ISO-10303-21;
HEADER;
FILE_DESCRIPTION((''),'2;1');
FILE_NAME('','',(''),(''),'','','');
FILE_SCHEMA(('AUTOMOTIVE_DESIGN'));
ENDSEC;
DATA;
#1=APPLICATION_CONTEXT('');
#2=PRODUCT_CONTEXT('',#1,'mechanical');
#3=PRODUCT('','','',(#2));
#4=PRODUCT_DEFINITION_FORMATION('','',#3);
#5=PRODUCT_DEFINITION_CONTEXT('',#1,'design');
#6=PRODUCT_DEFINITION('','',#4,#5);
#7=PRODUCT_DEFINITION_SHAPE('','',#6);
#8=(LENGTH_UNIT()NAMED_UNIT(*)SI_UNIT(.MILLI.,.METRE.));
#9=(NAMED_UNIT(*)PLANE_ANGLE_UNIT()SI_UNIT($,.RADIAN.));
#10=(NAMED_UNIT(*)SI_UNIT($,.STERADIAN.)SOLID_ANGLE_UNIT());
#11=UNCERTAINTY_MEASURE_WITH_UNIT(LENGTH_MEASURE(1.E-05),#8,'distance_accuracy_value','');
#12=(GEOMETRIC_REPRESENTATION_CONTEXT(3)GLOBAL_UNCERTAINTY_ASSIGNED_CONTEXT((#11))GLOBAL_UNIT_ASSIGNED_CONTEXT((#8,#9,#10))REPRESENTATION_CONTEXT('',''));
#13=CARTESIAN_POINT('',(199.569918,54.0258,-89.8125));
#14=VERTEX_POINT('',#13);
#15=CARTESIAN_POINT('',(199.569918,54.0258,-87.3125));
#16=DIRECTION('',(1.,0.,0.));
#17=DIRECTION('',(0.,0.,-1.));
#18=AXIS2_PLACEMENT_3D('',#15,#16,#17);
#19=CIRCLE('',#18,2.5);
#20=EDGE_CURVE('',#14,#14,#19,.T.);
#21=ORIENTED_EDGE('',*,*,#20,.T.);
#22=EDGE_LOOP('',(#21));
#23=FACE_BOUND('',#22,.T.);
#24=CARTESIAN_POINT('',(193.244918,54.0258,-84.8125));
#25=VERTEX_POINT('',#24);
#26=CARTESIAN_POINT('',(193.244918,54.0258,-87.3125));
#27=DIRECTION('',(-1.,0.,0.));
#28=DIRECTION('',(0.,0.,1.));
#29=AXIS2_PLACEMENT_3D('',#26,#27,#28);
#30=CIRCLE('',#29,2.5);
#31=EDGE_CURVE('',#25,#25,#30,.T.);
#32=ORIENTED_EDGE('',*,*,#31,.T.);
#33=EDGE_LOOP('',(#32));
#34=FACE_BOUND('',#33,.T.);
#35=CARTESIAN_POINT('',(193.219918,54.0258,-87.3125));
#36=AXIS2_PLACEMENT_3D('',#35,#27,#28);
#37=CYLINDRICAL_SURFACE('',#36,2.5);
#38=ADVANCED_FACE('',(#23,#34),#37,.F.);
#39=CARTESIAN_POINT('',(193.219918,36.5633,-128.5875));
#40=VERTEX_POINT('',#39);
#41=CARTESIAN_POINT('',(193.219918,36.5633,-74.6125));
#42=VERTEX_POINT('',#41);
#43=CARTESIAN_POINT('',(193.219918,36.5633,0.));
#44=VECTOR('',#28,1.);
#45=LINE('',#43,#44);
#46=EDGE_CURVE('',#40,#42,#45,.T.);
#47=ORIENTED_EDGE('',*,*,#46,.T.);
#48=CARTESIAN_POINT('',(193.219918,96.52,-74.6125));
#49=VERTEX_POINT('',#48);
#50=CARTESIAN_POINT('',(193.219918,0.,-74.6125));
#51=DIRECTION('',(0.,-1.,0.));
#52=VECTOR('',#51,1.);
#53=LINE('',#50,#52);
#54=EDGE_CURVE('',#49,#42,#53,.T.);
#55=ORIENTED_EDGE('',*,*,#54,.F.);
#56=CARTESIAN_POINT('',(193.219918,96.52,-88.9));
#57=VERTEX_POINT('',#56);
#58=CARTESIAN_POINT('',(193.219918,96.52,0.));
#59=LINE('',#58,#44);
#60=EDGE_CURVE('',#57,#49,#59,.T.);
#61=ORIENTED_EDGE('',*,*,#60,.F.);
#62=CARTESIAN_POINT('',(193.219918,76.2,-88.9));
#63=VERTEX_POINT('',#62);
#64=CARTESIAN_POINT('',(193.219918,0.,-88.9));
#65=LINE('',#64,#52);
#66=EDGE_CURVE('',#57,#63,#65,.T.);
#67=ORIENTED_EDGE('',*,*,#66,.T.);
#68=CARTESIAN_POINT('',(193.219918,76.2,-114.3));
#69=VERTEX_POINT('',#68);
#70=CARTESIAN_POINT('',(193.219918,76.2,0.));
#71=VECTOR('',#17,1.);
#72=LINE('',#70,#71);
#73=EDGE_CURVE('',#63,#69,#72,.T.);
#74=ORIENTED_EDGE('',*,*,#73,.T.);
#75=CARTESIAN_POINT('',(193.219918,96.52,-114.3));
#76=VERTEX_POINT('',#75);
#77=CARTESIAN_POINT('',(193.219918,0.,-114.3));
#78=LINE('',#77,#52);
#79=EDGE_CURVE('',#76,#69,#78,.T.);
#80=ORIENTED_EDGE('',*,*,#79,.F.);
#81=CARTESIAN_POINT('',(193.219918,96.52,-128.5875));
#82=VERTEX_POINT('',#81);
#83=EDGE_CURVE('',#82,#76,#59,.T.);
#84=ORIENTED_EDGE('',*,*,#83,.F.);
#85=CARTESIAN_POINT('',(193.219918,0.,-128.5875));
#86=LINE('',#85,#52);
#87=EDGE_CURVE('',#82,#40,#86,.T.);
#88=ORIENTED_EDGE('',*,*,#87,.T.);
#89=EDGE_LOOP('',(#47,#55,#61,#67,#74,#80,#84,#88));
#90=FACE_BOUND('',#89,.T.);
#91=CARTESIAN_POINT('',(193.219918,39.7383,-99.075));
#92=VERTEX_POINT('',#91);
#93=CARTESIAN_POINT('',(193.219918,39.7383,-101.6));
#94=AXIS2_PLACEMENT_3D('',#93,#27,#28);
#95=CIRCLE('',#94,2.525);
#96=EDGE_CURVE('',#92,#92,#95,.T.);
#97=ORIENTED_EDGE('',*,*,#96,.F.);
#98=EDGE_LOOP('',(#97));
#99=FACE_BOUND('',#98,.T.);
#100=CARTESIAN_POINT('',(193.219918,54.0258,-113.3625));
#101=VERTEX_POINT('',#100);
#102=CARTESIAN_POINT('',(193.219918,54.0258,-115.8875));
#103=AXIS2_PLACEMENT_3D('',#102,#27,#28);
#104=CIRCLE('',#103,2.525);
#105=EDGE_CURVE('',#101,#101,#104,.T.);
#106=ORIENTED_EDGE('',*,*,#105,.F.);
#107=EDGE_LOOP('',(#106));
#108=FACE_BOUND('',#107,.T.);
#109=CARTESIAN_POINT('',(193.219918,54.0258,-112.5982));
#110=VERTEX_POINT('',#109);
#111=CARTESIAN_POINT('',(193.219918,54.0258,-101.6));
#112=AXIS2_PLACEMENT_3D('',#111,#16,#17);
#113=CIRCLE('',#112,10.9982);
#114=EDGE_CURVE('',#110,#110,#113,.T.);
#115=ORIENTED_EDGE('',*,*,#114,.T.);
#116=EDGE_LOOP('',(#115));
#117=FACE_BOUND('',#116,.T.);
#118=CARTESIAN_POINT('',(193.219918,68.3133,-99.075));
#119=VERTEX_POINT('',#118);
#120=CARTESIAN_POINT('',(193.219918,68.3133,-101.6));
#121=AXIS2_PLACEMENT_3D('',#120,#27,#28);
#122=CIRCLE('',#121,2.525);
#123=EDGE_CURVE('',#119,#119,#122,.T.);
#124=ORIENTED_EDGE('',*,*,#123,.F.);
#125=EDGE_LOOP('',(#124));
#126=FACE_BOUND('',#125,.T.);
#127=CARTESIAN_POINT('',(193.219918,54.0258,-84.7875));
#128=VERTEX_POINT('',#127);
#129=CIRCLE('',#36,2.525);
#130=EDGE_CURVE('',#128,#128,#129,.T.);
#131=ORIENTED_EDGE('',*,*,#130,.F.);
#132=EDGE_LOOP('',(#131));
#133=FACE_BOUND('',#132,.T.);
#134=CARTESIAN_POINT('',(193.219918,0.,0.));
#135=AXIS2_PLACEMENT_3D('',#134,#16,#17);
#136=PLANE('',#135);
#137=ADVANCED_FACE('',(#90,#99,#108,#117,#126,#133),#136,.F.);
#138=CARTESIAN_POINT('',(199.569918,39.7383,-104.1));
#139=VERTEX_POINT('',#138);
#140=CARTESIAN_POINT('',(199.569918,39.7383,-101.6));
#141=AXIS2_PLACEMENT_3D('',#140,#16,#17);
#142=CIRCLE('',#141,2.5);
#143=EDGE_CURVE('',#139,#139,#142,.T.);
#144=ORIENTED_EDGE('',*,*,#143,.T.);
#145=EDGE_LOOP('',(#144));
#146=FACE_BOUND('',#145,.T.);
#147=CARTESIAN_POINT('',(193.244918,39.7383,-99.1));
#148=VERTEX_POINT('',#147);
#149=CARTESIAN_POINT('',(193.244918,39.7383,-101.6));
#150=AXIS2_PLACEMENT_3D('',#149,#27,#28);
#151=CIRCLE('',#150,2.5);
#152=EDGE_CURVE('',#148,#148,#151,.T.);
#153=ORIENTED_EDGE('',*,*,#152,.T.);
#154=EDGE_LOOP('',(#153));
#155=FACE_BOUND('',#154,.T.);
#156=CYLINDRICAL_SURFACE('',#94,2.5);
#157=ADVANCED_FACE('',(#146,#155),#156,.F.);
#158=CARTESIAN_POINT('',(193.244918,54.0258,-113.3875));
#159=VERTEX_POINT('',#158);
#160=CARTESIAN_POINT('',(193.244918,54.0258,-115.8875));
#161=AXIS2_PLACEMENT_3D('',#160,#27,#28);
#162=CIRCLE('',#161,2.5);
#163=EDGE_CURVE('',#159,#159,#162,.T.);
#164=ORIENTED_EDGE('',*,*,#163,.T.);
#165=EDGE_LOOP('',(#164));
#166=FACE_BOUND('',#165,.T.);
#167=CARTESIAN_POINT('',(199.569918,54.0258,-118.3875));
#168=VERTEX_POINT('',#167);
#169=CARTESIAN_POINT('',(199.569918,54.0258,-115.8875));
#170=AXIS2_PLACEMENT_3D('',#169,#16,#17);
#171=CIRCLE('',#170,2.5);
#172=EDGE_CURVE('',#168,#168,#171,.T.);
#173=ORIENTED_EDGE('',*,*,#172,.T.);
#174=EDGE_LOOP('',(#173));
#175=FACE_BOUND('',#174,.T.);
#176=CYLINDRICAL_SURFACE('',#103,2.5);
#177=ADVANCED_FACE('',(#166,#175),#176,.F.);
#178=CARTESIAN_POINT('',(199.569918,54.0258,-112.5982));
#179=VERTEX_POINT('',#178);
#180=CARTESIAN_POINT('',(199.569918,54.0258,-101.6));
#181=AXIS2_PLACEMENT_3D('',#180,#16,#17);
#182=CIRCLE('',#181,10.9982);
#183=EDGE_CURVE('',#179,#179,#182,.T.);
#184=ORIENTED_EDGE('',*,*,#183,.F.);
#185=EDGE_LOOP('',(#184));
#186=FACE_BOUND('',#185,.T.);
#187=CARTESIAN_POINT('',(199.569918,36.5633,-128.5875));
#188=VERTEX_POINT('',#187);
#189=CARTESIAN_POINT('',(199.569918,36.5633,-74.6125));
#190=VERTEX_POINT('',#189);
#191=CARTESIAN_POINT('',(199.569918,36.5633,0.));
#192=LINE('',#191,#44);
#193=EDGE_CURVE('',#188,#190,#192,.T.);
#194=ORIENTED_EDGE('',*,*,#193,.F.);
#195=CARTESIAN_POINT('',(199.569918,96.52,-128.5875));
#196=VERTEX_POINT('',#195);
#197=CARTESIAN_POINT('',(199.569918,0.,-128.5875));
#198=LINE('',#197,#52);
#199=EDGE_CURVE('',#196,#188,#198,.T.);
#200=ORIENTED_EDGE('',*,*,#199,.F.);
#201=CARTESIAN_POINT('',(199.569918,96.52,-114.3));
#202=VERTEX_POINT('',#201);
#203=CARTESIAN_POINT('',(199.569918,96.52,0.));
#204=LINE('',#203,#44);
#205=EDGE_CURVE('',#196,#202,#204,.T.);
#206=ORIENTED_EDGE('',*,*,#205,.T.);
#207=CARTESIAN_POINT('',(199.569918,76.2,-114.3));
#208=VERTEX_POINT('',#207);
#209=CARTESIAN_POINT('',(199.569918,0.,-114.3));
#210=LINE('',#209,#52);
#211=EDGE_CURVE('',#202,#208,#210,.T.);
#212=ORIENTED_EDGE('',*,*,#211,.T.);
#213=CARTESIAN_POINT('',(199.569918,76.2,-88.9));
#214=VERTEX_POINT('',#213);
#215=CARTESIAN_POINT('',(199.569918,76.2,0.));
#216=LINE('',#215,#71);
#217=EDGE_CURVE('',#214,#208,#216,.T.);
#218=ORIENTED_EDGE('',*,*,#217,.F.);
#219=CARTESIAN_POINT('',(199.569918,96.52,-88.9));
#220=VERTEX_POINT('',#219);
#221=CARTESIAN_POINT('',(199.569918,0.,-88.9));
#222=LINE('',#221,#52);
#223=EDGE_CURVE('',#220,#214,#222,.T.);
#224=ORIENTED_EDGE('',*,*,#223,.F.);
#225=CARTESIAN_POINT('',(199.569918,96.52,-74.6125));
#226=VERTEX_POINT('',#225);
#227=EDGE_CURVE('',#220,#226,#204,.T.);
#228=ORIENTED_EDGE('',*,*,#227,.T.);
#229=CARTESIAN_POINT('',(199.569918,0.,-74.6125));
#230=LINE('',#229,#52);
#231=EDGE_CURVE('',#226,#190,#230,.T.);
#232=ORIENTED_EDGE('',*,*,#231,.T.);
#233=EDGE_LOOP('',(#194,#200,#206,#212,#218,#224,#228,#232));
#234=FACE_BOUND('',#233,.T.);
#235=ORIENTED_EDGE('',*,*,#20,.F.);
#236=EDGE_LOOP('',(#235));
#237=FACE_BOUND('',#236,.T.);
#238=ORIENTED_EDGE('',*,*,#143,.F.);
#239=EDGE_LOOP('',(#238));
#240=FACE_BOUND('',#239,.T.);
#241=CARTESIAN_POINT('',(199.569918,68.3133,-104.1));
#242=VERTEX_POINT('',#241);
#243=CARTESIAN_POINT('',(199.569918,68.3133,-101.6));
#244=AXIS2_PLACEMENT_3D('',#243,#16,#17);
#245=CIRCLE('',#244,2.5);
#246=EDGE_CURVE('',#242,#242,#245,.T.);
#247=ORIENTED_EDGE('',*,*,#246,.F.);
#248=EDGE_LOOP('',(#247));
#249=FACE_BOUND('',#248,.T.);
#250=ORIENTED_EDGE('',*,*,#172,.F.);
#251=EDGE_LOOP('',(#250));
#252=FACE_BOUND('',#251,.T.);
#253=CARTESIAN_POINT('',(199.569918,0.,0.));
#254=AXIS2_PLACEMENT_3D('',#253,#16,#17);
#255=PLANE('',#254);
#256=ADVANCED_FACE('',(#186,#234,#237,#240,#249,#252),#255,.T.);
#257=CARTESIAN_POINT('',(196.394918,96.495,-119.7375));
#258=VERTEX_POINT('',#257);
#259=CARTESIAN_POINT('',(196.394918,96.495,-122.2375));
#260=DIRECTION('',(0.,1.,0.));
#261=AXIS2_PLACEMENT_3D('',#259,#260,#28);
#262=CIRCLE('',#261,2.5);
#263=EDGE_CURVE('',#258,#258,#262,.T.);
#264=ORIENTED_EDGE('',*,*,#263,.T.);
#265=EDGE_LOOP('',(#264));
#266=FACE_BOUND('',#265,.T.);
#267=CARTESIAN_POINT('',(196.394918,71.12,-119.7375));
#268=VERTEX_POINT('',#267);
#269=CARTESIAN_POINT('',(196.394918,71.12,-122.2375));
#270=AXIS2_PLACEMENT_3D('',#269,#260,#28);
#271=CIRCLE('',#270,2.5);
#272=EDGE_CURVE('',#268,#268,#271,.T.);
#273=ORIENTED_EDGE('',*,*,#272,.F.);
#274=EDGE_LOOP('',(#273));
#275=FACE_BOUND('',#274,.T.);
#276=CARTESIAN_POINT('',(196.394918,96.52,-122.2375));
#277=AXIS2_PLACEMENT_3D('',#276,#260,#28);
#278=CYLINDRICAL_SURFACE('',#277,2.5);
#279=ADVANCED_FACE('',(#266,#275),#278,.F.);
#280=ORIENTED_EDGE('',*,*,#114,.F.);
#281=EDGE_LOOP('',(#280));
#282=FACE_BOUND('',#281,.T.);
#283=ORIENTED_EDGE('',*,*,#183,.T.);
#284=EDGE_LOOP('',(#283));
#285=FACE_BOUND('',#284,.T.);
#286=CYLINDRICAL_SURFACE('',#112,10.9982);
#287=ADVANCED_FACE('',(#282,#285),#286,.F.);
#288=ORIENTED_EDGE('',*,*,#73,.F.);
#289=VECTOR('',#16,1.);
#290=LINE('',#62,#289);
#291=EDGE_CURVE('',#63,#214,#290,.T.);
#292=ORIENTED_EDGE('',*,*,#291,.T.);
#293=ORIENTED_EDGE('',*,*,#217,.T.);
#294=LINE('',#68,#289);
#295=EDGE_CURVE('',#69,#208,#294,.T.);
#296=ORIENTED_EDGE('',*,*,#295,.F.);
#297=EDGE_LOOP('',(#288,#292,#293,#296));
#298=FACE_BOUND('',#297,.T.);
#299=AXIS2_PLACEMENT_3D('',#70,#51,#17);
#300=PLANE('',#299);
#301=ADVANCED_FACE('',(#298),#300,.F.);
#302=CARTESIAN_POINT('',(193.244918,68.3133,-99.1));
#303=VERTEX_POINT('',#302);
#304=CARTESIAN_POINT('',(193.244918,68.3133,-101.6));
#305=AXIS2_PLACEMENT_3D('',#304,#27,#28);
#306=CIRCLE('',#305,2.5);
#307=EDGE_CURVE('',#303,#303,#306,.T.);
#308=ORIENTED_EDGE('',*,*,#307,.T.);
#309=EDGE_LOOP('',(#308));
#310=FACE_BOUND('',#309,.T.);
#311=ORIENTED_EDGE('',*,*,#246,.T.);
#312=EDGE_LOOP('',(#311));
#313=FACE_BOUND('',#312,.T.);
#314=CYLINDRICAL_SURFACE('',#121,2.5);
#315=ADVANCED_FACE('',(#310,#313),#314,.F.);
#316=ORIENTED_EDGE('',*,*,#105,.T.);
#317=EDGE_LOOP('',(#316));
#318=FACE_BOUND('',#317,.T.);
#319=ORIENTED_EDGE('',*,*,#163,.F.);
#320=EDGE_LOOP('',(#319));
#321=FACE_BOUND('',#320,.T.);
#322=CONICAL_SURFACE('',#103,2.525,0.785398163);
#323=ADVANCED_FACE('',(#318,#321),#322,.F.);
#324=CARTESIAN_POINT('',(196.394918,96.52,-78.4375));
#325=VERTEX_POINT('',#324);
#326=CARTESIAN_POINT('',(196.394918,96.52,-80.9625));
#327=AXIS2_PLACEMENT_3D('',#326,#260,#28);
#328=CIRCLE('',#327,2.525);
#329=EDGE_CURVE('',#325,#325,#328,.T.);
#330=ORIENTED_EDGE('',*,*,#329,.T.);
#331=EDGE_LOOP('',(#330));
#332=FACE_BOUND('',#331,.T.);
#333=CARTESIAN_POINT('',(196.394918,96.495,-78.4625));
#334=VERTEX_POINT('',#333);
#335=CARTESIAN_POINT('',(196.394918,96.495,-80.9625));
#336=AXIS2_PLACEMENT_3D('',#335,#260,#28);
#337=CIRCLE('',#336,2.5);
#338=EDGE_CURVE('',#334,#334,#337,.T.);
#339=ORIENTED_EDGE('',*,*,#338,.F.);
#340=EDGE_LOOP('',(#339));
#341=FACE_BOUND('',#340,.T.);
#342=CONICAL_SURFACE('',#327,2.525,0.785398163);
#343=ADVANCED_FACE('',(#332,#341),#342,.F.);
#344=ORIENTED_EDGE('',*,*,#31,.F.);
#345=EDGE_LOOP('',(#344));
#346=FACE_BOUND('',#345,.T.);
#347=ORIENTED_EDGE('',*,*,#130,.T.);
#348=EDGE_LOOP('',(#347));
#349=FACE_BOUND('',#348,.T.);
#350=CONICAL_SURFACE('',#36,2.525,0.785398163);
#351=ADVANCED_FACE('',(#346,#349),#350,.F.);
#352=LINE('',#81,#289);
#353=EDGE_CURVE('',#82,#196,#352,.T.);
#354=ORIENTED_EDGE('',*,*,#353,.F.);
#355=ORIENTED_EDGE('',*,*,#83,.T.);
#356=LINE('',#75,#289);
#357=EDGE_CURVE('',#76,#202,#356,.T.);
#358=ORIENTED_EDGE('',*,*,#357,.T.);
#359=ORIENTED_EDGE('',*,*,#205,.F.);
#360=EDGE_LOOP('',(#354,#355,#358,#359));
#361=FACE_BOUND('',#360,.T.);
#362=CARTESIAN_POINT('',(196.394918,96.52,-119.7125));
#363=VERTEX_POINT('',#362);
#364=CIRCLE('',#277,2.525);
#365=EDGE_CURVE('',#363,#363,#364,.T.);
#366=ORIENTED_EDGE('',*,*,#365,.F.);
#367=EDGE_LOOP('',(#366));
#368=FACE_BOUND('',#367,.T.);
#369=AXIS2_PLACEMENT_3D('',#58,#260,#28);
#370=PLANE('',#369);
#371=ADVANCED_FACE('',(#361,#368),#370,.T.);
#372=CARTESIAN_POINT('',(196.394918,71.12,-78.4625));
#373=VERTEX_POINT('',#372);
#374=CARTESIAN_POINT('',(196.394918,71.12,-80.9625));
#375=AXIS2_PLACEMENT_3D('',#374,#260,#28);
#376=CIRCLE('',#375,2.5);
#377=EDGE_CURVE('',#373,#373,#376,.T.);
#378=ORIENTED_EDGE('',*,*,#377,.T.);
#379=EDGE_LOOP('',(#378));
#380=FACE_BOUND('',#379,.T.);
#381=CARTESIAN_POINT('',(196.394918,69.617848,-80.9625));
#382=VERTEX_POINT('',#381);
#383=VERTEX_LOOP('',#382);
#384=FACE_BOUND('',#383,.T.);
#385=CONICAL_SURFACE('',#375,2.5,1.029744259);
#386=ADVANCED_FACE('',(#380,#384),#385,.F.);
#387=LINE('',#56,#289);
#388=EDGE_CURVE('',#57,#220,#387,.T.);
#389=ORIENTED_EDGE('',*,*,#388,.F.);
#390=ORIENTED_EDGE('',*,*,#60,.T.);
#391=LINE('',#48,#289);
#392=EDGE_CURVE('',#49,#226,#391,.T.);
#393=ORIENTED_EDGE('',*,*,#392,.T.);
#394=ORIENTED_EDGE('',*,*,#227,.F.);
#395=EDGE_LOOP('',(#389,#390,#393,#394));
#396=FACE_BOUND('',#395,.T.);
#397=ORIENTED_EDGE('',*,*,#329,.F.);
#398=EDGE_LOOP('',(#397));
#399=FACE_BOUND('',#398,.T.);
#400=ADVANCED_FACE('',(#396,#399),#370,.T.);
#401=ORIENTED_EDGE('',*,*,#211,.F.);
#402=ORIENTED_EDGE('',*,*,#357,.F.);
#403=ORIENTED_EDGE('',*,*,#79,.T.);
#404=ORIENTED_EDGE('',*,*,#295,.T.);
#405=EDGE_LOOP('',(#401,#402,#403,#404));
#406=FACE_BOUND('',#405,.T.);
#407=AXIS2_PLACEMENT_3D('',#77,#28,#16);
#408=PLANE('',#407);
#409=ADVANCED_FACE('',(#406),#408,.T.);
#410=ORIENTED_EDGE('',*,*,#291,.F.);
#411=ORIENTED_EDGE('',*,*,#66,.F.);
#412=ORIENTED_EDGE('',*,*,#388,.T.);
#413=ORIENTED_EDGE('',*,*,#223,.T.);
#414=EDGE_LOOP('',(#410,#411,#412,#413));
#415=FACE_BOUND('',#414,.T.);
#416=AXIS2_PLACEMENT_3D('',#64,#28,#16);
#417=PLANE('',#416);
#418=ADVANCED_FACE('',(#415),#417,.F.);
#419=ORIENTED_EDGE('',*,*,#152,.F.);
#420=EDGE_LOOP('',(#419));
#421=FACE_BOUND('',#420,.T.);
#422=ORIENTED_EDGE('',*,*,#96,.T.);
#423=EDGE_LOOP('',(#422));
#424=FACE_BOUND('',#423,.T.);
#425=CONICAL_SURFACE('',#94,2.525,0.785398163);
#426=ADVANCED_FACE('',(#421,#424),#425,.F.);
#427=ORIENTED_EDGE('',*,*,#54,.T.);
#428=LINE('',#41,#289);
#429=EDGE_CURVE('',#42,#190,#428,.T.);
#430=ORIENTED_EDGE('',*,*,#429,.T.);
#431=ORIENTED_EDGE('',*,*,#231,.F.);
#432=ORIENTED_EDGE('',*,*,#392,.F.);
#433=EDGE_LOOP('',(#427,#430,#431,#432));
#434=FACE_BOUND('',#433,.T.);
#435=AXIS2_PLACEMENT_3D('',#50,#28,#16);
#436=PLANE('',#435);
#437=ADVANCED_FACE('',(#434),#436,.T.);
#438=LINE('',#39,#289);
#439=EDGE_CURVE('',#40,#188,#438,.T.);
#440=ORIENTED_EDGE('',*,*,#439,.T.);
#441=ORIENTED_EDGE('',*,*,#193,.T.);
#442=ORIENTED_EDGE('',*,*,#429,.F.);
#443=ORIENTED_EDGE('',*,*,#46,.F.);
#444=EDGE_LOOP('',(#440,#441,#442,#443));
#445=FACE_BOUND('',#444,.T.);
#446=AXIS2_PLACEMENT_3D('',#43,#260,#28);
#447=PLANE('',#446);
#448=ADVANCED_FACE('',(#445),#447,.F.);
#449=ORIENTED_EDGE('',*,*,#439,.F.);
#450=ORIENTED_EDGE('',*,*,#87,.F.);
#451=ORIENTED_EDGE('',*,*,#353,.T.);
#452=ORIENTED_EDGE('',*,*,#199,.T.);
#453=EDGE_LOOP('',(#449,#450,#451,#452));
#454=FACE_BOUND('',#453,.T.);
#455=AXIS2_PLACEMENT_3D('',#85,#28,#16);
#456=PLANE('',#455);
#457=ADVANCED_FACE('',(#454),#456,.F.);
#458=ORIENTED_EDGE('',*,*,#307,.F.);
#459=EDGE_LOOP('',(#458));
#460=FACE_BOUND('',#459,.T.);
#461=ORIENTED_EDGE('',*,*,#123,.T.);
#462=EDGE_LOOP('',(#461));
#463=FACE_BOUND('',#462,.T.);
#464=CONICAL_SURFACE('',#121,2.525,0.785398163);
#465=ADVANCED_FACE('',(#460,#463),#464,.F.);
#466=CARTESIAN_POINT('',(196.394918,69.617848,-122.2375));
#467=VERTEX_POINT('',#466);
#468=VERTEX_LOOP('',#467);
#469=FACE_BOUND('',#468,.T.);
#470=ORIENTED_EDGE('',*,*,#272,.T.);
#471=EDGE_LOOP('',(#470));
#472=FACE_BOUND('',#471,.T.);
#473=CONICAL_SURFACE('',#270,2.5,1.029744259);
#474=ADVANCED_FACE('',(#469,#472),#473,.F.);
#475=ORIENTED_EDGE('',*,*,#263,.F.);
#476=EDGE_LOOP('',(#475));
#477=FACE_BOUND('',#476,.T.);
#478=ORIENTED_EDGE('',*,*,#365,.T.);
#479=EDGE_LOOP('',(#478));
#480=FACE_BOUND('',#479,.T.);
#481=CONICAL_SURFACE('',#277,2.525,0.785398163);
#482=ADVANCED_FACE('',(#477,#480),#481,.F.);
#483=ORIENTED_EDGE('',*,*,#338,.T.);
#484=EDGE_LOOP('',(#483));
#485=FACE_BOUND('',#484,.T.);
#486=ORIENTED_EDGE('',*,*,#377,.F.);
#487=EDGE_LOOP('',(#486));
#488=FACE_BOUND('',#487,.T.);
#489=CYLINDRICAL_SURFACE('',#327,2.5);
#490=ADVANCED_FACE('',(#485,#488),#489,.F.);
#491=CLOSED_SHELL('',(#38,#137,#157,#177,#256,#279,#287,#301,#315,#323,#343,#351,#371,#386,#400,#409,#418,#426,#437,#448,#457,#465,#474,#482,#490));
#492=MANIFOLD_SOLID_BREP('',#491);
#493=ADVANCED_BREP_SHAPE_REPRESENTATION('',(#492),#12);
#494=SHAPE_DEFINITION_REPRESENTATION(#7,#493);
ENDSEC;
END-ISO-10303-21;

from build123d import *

# Parameters (mm, degrees)
BOSS_EXTRUDE1_START             = 199.569918
SKETCH6_R                       = 10.9982
BOSS_EXTRUDE1_DEPTH             = 6.35
F_5_0MM_DOWEL_HOLE2_D           = 5
F_5_0MM_DOWEL_HOLE2_DEPTH       = 25.4
F_5_0MM_DOWEL_HOLE2_CSINK_D     = 5.05
F_5_0MM_DOWEL_HOLE2_CSINK_ANGLE = 90
F_5_0MM_DOWEL_HOLE2_TIP         = 1.502151548
F_5_0MM_DOWEL_HOLE3_D           = 5
F_5_0MM_DOWEL_HOLE3_DEPTH       = 25.4
F_5_0MM_DOWEL_HOLE3_CSINK_D     = 5.05
F_5_0MM_DOWEL_HOLE3_CSINK_ANGLE = 90
F_5_0MM_DOWEL_HOLE3_TIP         = 1.502151548


with BuildPart() as part:
    # Sketch6 → Boss-Extrude1 (new body)
    with BuildSketch(Plane(origin=(0, 0, 0), x_dir=(0, 0, -1), z_dir=(1, 0, 0)).offset(BOSS_EXTRUDE1_START)):
        Polygon((74.6125, 36.5633), (128.5875, 36.5633), (128.5875, 96.52), (114.3, 96.52), (114.3, 76.2), (88.9, 76.2), (88.9, 96.52), (74.6125, 96.52), align=None)
        with Locations((101.6, 54.0258)):
            Circle(SKETCH6_R, mode=Mode.SUBTRACT)
    extrude(amount=-BOSS_EXTRUDE1_DEPTH)

    # Ø5.0mm Dowel Hole2
    with Locations(Plane.ZY.offset(-193.219917581)):
        with Locations((-101.6, 68.3133), (-87.3125, 54.0258), (-101.6, 39.7383), (-115.8875, 54.0258)):
            CounterSinkHole(F_5_0MM_DOWEL_HOLE2_D / 2, F_5_0MM_DOWEL_HOLE2_CSINK_D / 2, depth=F_5_0MM_DOWEL_HOLE2_DEPTH, counter_sink_angle=F_5_0MM_DOWEL_HOLE2_CSINK_ANGLE)
            with Locations((0, 0, -(F_5_0MM_DOWEL_HOLE2_DEPTH + F_5_0MM_DOWEL_HOLE2_TIP / 2))):  # 118° drill point
                Cone(0, F_5_0MM_DOWEL_HOLE2_D / 2, F_5_0MM_DOWEL_HOLE2_TIP, mode=Mode.SUBTRACT)

    # Ø5.0mm Dowel Hole3
    with Locations(Plane(origin=(0, 96.52, 0), x_dir=(1, 0, 0), z_dir=(0, 1, 0))):
        with Locations((196.394917581, 80.9625), (196.394917581, 122.2375)):
            CounterSinkHole(F_5_0MM_DOWEL_HOLE3_D / 2, F_5_0MM_DOWEL_HOLE3_CSINK_D / 2, depth=F_5_0MM_DOWEL_HOLE3_DEPTH, counter_sink_angle=F_5_0MM_DOWEL_HOLE3_CSINK_ANGLE)
            with Locations((0, 0, -(F_5_0MM_DOWEL_HOLE3_DEPTH + F_5_0MM_DOWEL_HOLE3_TIP / 2))):  # 118° drill point
                Cone(0, F_5_0MM_DOWEL_HOLE3_D / 2, F_5_0MM_DOWEL_HOLE3_TIP, mode=Mode.SUBTRACT)


solid = part.part
